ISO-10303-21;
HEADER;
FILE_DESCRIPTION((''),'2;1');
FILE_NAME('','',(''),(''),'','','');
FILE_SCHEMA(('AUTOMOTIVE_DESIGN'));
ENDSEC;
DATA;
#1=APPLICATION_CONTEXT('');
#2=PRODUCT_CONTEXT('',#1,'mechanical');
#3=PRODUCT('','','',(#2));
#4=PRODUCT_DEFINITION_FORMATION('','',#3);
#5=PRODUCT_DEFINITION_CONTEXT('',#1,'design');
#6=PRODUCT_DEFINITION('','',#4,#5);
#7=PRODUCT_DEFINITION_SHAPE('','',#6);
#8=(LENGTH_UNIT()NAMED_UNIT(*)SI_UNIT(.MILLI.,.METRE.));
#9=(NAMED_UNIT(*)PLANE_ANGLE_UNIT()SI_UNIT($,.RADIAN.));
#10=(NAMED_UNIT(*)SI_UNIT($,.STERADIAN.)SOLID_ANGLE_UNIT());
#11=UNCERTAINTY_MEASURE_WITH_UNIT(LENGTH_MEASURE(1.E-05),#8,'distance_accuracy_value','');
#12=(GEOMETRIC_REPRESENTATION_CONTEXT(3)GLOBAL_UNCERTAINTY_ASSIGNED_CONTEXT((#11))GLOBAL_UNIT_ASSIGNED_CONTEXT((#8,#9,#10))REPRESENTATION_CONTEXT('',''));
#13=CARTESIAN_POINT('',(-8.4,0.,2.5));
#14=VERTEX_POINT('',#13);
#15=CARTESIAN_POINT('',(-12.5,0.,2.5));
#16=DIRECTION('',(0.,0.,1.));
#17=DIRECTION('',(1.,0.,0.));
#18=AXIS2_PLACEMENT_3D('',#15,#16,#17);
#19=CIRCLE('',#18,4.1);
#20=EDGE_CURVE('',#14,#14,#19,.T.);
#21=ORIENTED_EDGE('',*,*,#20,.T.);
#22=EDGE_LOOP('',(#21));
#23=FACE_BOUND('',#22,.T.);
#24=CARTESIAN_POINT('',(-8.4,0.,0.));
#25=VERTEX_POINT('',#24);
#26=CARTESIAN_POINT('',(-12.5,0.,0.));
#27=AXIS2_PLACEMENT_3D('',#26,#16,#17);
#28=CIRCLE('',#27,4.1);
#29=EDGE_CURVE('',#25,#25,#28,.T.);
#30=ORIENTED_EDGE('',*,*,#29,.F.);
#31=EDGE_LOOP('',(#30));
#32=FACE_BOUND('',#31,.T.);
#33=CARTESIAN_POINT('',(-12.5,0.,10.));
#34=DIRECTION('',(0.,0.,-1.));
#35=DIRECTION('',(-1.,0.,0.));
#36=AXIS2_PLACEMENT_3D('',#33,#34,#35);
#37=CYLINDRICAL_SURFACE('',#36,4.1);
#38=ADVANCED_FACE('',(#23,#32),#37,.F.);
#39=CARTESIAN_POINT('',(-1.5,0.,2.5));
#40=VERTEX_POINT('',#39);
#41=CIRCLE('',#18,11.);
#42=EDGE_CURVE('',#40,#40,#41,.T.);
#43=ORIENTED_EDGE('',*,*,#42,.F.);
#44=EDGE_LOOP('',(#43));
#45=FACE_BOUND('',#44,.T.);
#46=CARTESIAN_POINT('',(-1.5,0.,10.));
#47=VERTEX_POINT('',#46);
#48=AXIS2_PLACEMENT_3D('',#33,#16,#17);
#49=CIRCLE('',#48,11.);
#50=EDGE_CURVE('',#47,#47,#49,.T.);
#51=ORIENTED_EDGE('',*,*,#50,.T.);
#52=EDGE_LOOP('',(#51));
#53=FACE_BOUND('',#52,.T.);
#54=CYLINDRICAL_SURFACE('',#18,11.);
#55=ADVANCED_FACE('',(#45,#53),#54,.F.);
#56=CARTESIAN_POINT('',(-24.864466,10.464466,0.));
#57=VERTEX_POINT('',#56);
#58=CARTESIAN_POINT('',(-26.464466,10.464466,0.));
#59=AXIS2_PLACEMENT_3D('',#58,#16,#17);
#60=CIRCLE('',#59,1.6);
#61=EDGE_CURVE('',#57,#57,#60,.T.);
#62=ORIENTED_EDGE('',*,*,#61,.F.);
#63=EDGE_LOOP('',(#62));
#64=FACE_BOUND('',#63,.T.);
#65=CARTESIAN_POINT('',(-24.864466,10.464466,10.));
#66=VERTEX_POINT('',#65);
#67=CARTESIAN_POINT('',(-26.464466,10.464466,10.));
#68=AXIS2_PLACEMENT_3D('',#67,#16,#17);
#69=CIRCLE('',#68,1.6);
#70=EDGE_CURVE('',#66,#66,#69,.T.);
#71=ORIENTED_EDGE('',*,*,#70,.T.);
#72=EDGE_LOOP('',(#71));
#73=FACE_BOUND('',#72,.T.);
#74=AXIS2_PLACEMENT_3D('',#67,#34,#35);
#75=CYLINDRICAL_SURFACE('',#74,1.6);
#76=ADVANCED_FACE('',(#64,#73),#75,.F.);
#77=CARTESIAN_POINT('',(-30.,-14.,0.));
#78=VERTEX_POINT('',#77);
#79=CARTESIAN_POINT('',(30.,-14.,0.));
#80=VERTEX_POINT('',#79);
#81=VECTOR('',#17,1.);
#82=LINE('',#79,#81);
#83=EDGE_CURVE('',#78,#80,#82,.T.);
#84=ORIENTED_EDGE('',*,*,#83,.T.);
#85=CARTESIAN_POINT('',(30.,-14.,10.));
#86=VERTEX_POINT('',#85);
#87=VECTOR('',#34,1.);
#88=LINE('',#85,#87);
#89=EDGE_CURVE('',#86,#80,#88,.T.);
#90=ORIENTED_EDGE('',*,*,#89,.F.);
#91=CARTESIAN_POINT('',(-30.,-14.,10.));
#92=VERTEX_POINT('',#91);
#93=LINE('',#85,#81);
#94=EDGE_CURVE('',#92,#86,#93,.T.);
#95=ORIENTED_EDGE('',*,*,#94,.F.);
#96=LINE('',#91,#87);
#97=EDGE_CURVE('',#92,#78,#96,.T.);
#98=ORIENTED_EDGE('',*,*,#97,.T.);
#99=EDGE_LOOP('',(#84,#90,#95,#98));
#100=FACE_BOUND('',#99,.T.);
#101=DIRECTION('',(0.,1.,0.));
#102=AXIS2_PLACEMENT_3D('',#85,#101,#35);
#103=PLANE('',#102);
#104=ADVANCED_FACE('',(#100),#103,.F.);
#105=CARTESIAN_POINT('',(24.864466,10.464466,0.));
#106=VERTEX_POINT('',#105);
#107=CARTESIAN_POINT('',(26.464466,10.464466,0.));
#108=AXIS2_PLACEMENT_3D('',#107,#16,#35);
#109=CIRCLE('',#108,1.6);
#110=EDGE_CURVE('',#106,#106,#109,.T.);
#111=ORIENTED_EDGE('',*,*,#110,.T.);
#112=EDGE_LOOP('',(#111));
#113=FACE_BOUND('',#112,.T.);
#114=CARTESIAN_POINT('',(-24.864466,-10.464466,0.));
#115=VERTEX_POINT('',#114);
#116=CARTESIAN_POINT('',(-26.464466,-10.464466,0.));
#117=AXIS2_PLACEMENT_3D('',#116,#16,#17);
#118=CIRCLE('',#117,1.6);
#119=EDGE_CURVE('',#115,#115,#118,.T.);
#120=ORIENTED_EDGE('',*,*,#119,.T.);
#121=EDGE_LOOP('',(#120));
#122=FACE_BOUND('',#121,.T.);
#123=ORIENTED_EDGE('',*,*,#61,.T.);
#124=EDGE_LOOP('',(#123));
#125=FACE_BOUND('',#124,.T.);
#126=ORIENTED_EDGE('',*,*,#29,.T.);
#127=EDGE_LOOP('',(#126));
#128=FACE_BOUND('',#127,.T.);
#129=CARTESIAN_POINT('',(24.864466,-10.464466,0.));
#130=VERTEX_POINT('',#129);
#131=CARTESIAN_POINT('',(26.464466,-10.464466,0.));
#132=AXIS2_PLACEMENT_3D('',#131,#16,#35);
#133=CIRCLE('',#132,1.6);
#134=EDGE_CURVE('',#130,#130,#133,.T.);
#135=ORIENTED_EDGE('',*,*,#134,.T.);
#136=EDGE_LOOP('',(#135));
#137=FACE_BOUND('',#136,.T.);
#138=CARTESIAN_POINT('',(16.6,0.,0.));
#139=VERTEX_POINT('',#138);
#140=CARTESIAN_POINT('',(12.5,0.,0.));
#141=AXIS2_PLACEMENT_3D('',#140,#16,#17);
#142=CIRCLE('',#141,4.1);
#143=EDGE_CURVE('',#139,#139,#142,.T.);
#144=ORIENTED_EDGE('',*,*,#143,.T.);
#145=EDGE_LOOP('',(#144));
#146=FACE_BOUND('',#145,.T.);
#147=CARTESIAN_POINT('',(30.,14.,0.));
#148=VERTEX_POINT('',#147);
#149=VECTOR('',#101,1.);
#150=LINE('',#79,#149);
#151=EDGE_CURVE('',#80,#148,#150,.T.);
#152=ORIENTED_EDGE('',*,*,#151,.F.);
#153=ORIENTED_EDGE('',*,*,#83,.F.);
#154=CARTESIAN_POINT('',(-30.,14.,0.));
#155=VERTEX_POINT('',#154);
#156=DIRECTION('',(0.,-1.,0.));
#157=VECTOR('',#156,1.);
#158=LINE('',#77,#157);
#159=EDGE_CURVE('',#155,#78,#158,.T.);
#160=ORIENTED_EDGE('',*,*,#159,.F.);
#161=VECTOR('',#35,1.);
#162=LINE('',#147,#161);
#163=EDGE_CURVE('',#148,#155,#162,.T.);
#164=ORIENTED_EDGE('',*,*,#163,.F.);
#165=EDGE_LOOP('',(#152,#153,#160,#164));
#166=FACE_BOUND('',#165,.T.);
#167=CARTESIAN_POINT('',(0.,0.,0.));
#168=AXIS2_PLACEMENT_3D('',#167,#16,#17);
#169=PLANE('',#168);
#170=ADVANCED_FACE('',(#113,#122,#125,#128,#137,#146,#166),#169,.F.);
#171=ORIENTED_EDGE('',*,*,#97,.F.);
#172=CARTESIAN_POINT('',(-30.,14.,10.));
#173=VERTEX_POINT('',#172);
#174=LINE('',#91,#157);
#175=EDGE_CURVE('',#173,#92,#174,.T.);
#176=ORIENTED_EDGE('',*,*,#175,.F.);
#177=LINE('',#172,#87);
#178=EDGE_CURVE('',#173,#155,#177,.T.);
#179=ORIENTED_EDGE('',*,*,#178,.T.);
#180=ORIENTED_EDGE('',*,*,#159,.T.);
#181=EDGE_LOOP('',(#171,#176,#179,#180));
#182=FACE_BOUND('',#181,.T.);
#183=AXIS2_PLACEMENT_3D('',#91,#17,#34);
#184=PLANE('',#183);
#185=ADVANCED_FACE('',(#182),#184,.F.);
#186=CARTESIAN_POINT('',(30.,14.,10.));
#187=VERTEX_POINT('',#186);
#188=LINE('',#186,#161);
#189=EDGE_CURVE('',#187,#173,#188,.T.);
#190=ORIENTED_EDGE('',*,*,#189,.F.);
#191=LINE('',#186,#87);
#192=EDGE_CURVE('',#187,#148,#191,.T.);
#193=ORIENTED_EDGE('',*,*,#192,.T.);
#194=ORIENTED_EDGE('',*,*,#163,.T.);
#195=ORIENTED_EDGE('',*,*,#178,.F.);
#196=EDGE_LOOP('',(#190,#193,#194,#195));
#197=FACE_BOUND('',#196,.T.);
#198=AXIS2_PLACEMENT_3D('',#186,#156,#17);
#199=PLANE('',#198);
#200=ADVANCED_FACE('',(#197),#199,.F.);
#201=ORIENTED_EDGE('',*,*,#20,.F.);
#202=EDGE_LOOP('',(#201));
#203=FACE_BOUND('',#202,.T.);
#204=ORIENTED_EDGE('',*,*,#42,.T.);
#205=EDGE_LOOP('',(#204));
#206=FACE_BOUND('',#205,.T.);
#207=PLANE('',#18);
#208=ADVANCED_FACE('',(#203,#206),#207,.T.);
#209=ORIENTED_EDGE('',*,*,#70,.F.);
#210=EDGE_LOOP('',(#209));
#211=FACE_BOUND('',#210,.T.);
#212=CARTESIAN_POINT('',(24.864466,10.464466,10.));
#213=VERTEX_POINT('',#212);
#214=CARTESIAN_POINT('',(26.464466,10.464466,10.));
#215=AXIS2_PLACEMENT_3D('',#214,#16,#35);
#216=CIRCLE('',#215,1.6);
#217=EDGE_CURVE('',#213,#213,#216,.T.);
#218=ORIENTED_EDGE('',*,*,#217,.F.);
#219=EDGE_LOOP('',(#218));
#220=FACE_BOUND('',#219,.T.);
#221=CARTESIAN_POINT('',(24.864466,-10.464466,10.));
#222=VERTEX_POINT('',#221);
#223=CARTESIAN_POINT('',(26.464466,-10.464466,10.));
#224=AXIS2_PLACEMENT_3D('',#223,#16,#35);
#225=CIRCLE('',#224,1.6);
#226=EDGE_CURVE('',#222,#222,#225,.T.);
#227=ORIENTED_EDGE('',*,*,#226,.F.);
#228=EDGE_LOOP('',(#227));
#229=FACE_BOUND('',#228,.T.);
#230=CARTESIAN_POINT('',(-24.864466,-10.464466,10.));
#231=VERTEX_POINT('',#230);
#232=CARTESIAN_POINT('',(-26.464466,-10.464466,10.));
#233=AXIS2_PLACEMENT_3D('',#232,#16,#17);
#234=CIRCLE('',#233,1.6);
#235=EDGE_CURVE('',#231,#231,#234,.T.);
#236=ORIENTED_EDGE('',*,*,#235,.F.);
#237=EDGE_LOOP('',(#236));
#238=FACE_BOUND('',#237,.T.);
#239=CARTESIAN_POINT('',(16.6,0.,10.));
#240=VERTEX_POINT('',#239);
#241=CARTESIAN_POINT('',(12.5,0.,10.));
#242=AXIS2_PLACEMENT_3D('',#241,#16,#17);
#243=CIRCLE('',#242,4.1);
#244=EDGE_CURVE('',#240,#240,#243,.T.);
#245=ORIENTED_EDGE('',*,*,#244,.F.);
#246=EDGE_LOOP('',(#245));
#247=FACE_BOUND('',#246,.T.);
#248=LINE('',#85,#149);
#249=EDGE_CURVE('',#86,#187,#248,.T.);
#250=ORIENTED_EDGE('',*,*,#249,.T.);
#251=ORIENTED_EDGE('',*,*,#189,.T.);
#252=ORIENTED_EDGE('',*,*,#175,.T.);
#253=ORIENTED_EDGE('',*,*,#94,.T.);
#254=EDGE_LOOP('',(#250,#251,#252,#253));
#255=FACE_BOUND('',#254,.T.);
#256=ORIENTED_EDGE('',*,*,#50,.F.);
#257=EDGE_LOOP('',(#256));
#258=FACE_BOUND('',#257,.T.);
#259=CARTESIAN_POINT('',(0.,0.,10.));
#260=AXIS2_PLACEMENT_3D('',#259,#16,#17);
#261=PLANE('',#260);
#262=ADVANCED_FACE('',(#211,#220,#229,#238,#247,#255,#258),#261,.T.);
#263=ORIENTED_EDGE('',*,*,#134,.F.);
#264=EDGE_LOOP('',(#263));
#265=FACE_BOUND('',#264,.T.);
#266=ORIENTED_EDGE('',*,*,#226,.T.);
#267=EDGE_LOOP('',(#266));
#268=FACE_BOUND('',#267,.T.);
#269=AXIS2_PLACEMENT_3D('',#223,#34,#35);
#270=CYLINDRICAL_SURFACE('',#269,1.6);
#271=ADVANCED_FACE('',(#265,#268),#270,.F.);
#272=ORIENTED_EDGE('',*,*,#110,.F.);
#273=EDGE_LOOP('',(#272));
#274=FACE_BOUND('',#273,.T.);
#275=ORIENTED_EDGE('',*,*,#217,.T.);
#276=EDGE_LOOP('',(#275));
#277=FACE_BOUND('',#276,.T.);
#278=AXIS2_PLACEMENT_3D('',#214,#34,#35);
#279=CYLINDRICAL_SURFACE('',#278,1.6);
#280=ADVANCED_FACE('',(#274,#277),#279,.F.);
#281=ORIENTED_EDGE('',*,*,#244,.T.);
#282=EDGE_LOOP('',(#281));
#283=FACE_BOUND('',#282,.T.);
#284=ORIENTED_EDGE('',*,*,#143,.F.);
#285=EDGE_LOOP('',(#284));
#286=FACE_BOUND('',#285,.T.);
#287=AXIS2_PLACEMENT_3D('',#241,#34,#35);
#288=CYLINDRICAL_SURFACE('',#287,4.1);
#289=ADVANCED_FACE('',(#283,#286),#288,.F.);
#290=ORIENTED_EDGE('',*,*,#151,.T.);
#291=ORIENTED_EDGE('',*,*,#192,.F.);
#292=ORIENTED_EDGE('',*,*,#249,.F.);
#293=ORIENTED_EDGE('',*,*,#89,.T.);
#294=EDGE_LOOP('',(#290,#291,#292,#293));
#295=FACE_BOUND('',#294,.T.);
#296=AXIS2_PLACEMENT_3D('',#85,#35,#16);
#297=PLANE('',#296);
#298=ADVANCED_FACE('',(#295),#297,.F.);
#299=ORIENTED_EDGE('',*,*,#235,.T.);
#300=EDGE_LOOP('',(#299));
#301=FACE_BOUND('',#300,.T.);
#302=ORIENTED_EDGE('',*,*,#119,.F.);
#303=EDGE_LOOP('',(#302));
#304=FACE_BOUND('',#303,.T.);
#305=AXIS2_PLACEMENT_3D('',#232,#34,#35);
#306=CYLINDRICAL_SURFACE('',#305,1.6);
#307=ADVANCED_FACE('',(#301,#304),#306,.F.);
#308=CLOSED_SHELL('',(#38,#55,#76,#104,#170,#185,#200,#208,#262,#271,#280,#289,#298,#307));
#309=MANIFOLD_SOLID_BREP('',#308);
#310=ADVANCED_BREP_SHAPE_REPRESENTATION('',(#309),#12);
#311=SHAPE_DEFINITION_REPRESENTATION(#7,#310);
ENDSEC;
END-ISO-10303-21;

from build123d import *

# Parameters (mm, degrees)
SKETCH1_W           = 60
SKETCH1_H           = 28
SKETCH1_R           = 4.1
SKETCH1_R_2         = 1.6
BOSS_EXTRUDE1_DEPTH = 10
SKETCH2_R           = 11
CUT_EXTRUDE1_DEPTH  = 7.5


with BuildPart() as part:
    # Sketch1 → Boss-Extrude1 (new body)
    with BuildSketch(Plane.XY):
        Rectangle(SKETCH1_W, SKETCH1_H)
        with Locations((12.5, 0)):
            Circle(SKETCH1_R, mode=Mode.SUBTRACT)
        with Locations((-12.5, 0)):
            Circle(SKETCH1_R, mode=Mode.SUBTRACT)
        with Locations((-26.464466094, 10.464466094)):
            Circle(SKETCH1_R_2, mode=Mode.SUBTRACT)
        with Locations((-26.464466094, -10.464466094)):
            Circle(SKETCH1_R_2, mode=Mode.SUBTRACT)
        with Locations((26.464466094, -10.464466094)):
            Circle(SKETCH1_R_2, mode=Mode.SUBTRACT)
        with Locations((26.464466094, 10.464466094)):
            Circle(SKETCH1_R_2, mode=Mode.SUBTRACT)
    extrude(amount=BOSS_EXTRUDE1_DEPTH)

    # Sketch2 → Cut-Extrude1 (cut)
    with BuildSketch(Plane.XY.offset(10)):
        with Locations((-12.5, 0)):
            Circle(SKETCH2_R)
    extrude(amount=-CUT_EXTRUDE1_DEPTH, mode=Mode.SUBTRACT)


solid = part.part
